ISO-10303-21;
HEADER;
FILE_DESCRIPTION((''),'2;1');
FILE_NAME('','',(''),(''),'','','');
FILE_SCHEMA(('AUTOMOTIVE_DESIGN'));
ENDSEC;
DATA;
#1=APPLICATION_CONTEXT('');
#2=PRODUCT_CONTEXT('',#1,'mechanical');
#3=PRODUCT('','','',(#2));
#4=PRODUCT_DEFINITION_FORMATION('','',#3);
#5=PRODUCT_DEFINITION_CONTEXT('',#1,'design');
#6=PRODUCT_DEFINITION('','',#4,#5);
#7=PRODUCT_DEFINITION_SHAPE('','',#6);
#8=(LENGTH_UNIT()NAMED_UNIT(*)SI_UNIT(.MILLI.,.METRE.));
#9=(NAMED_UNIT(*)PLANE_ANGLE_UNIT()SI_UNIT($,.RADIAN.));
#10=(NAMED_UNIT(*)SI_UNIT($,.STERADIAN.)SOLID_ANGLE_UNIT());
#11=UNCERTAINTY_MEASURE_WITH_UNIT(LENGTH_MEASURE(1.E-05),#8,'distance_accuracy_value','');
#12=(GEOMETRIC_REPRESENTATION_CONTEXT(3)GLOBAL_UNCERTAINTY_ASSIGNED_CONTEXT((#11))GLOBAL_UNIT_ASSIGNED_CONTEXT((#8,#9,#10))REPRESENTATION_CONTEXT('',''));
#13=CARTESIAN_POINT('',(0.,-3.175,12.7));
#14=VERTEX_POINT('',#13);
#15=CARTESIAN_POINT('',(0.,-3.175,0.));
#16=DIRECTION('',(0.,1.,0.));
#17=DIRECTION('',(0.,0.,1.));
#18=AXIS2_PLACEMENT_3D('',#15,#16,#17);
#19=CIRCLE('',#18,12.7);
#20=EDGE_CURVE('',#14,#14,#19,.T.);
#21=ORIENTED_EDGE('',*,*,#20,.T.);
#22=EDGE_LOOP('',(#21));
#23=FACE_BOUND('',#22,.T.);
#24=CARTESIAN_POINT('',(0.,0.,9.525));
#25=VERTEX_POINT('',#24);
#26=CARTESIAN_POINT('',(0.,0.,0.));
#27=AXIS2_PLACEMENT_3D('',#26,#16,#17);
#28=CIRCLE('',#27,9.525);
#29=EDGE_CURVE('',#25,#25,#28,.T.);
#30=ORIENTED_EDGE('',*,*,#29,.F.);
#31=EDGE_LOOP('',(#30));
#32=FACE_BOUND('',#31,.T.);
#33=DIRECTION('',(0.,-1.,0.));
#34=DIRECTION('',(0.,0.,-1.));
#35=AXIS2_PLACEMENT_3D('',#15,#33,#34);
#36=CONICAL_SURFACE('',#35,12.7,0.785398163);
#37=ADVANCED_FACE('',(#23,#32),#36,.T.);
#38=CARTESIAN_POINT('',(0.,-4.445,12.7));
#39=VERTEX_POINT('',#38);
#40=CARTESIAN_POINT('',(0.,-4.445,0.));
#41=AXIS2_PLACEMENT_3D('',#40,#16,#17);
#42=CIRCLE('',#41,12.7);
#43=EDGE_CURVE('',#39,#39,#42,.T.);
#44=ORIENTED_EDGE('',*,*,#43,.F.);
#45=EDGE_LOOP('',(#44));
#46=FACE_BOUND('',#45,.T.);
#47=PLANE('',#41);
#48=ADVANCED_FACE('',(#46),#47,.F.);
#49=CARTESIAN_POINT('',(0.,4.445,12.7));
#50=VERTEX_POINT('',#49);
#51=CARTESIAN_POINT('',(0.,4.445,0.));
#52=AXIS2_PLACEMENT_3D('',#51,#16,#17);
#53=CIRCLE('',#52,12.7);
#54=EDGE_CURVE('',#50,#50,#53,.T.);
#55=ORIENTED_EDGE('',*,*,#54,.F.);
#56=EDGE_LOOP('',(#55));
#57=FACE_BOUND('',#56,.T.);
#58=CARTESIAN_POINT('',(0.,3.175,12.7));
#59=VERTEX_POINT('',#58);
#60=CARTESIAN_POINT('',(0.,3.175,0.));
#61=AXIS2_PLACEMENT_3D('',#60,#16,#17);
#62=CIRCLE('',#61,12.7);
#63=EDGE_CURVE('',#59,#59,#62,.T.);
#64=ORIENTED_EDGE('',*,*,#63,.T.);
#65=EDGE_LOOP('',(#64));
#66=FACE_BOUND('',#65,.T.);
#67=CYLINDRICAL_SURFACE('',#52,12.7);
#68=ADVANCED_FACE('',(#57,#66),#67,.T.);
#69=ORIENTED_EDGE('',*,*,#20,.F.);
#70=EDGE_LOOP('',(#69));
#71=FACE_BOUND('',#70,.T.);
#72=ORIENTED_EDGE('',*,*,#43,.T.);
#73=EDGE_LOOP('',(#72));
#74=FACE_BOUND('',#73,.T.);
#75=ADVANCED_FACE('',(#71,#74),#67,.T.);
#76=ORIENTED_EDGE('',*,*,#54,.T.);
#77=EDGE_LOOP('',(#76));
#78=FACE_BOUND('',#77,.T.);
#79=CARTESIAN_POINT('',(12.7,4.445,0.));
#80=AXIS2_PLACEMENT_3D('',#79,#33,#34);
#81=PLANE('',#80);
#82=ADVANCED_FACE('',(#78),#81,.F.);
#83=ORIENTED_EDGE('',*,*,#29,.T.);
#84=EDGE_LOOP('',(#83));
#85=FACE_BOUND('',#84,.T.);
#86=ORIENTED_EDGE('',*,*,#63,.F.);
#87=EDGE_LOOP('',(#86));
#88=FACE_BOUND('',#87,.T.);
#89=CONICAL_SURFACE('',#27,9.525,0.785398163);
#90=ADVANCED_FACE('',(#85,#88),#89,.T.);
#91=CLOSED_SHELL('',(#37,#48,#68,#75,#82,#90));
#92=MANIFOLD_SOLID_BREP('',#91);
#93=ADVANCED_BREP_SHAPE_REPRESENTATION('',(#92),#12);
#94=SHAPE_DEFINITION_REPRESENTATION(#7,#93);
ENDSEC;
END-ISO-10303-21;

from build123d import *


with BuildPart() as part:
    # Sketch2 → Revolve1 (revolve)
    with BuildSketch(Plane.XY, mode=Mode.PRIVATE) as revolve1_sk:
        Polygon((0, 4.445), (0, -4.445), (12.7, -4.445), (12.7, -3.175), (9.525, 0), (12.7, 3.175), (12.7, 4.445), align=None)
    revolve(revolve1_sk.sketch.rotate(Axis((0, 4.445, 0), (0, -1, 0)), 90), axis=Axis((0, 4.445, 0), (0, -1, 0)))


solid = part.part
